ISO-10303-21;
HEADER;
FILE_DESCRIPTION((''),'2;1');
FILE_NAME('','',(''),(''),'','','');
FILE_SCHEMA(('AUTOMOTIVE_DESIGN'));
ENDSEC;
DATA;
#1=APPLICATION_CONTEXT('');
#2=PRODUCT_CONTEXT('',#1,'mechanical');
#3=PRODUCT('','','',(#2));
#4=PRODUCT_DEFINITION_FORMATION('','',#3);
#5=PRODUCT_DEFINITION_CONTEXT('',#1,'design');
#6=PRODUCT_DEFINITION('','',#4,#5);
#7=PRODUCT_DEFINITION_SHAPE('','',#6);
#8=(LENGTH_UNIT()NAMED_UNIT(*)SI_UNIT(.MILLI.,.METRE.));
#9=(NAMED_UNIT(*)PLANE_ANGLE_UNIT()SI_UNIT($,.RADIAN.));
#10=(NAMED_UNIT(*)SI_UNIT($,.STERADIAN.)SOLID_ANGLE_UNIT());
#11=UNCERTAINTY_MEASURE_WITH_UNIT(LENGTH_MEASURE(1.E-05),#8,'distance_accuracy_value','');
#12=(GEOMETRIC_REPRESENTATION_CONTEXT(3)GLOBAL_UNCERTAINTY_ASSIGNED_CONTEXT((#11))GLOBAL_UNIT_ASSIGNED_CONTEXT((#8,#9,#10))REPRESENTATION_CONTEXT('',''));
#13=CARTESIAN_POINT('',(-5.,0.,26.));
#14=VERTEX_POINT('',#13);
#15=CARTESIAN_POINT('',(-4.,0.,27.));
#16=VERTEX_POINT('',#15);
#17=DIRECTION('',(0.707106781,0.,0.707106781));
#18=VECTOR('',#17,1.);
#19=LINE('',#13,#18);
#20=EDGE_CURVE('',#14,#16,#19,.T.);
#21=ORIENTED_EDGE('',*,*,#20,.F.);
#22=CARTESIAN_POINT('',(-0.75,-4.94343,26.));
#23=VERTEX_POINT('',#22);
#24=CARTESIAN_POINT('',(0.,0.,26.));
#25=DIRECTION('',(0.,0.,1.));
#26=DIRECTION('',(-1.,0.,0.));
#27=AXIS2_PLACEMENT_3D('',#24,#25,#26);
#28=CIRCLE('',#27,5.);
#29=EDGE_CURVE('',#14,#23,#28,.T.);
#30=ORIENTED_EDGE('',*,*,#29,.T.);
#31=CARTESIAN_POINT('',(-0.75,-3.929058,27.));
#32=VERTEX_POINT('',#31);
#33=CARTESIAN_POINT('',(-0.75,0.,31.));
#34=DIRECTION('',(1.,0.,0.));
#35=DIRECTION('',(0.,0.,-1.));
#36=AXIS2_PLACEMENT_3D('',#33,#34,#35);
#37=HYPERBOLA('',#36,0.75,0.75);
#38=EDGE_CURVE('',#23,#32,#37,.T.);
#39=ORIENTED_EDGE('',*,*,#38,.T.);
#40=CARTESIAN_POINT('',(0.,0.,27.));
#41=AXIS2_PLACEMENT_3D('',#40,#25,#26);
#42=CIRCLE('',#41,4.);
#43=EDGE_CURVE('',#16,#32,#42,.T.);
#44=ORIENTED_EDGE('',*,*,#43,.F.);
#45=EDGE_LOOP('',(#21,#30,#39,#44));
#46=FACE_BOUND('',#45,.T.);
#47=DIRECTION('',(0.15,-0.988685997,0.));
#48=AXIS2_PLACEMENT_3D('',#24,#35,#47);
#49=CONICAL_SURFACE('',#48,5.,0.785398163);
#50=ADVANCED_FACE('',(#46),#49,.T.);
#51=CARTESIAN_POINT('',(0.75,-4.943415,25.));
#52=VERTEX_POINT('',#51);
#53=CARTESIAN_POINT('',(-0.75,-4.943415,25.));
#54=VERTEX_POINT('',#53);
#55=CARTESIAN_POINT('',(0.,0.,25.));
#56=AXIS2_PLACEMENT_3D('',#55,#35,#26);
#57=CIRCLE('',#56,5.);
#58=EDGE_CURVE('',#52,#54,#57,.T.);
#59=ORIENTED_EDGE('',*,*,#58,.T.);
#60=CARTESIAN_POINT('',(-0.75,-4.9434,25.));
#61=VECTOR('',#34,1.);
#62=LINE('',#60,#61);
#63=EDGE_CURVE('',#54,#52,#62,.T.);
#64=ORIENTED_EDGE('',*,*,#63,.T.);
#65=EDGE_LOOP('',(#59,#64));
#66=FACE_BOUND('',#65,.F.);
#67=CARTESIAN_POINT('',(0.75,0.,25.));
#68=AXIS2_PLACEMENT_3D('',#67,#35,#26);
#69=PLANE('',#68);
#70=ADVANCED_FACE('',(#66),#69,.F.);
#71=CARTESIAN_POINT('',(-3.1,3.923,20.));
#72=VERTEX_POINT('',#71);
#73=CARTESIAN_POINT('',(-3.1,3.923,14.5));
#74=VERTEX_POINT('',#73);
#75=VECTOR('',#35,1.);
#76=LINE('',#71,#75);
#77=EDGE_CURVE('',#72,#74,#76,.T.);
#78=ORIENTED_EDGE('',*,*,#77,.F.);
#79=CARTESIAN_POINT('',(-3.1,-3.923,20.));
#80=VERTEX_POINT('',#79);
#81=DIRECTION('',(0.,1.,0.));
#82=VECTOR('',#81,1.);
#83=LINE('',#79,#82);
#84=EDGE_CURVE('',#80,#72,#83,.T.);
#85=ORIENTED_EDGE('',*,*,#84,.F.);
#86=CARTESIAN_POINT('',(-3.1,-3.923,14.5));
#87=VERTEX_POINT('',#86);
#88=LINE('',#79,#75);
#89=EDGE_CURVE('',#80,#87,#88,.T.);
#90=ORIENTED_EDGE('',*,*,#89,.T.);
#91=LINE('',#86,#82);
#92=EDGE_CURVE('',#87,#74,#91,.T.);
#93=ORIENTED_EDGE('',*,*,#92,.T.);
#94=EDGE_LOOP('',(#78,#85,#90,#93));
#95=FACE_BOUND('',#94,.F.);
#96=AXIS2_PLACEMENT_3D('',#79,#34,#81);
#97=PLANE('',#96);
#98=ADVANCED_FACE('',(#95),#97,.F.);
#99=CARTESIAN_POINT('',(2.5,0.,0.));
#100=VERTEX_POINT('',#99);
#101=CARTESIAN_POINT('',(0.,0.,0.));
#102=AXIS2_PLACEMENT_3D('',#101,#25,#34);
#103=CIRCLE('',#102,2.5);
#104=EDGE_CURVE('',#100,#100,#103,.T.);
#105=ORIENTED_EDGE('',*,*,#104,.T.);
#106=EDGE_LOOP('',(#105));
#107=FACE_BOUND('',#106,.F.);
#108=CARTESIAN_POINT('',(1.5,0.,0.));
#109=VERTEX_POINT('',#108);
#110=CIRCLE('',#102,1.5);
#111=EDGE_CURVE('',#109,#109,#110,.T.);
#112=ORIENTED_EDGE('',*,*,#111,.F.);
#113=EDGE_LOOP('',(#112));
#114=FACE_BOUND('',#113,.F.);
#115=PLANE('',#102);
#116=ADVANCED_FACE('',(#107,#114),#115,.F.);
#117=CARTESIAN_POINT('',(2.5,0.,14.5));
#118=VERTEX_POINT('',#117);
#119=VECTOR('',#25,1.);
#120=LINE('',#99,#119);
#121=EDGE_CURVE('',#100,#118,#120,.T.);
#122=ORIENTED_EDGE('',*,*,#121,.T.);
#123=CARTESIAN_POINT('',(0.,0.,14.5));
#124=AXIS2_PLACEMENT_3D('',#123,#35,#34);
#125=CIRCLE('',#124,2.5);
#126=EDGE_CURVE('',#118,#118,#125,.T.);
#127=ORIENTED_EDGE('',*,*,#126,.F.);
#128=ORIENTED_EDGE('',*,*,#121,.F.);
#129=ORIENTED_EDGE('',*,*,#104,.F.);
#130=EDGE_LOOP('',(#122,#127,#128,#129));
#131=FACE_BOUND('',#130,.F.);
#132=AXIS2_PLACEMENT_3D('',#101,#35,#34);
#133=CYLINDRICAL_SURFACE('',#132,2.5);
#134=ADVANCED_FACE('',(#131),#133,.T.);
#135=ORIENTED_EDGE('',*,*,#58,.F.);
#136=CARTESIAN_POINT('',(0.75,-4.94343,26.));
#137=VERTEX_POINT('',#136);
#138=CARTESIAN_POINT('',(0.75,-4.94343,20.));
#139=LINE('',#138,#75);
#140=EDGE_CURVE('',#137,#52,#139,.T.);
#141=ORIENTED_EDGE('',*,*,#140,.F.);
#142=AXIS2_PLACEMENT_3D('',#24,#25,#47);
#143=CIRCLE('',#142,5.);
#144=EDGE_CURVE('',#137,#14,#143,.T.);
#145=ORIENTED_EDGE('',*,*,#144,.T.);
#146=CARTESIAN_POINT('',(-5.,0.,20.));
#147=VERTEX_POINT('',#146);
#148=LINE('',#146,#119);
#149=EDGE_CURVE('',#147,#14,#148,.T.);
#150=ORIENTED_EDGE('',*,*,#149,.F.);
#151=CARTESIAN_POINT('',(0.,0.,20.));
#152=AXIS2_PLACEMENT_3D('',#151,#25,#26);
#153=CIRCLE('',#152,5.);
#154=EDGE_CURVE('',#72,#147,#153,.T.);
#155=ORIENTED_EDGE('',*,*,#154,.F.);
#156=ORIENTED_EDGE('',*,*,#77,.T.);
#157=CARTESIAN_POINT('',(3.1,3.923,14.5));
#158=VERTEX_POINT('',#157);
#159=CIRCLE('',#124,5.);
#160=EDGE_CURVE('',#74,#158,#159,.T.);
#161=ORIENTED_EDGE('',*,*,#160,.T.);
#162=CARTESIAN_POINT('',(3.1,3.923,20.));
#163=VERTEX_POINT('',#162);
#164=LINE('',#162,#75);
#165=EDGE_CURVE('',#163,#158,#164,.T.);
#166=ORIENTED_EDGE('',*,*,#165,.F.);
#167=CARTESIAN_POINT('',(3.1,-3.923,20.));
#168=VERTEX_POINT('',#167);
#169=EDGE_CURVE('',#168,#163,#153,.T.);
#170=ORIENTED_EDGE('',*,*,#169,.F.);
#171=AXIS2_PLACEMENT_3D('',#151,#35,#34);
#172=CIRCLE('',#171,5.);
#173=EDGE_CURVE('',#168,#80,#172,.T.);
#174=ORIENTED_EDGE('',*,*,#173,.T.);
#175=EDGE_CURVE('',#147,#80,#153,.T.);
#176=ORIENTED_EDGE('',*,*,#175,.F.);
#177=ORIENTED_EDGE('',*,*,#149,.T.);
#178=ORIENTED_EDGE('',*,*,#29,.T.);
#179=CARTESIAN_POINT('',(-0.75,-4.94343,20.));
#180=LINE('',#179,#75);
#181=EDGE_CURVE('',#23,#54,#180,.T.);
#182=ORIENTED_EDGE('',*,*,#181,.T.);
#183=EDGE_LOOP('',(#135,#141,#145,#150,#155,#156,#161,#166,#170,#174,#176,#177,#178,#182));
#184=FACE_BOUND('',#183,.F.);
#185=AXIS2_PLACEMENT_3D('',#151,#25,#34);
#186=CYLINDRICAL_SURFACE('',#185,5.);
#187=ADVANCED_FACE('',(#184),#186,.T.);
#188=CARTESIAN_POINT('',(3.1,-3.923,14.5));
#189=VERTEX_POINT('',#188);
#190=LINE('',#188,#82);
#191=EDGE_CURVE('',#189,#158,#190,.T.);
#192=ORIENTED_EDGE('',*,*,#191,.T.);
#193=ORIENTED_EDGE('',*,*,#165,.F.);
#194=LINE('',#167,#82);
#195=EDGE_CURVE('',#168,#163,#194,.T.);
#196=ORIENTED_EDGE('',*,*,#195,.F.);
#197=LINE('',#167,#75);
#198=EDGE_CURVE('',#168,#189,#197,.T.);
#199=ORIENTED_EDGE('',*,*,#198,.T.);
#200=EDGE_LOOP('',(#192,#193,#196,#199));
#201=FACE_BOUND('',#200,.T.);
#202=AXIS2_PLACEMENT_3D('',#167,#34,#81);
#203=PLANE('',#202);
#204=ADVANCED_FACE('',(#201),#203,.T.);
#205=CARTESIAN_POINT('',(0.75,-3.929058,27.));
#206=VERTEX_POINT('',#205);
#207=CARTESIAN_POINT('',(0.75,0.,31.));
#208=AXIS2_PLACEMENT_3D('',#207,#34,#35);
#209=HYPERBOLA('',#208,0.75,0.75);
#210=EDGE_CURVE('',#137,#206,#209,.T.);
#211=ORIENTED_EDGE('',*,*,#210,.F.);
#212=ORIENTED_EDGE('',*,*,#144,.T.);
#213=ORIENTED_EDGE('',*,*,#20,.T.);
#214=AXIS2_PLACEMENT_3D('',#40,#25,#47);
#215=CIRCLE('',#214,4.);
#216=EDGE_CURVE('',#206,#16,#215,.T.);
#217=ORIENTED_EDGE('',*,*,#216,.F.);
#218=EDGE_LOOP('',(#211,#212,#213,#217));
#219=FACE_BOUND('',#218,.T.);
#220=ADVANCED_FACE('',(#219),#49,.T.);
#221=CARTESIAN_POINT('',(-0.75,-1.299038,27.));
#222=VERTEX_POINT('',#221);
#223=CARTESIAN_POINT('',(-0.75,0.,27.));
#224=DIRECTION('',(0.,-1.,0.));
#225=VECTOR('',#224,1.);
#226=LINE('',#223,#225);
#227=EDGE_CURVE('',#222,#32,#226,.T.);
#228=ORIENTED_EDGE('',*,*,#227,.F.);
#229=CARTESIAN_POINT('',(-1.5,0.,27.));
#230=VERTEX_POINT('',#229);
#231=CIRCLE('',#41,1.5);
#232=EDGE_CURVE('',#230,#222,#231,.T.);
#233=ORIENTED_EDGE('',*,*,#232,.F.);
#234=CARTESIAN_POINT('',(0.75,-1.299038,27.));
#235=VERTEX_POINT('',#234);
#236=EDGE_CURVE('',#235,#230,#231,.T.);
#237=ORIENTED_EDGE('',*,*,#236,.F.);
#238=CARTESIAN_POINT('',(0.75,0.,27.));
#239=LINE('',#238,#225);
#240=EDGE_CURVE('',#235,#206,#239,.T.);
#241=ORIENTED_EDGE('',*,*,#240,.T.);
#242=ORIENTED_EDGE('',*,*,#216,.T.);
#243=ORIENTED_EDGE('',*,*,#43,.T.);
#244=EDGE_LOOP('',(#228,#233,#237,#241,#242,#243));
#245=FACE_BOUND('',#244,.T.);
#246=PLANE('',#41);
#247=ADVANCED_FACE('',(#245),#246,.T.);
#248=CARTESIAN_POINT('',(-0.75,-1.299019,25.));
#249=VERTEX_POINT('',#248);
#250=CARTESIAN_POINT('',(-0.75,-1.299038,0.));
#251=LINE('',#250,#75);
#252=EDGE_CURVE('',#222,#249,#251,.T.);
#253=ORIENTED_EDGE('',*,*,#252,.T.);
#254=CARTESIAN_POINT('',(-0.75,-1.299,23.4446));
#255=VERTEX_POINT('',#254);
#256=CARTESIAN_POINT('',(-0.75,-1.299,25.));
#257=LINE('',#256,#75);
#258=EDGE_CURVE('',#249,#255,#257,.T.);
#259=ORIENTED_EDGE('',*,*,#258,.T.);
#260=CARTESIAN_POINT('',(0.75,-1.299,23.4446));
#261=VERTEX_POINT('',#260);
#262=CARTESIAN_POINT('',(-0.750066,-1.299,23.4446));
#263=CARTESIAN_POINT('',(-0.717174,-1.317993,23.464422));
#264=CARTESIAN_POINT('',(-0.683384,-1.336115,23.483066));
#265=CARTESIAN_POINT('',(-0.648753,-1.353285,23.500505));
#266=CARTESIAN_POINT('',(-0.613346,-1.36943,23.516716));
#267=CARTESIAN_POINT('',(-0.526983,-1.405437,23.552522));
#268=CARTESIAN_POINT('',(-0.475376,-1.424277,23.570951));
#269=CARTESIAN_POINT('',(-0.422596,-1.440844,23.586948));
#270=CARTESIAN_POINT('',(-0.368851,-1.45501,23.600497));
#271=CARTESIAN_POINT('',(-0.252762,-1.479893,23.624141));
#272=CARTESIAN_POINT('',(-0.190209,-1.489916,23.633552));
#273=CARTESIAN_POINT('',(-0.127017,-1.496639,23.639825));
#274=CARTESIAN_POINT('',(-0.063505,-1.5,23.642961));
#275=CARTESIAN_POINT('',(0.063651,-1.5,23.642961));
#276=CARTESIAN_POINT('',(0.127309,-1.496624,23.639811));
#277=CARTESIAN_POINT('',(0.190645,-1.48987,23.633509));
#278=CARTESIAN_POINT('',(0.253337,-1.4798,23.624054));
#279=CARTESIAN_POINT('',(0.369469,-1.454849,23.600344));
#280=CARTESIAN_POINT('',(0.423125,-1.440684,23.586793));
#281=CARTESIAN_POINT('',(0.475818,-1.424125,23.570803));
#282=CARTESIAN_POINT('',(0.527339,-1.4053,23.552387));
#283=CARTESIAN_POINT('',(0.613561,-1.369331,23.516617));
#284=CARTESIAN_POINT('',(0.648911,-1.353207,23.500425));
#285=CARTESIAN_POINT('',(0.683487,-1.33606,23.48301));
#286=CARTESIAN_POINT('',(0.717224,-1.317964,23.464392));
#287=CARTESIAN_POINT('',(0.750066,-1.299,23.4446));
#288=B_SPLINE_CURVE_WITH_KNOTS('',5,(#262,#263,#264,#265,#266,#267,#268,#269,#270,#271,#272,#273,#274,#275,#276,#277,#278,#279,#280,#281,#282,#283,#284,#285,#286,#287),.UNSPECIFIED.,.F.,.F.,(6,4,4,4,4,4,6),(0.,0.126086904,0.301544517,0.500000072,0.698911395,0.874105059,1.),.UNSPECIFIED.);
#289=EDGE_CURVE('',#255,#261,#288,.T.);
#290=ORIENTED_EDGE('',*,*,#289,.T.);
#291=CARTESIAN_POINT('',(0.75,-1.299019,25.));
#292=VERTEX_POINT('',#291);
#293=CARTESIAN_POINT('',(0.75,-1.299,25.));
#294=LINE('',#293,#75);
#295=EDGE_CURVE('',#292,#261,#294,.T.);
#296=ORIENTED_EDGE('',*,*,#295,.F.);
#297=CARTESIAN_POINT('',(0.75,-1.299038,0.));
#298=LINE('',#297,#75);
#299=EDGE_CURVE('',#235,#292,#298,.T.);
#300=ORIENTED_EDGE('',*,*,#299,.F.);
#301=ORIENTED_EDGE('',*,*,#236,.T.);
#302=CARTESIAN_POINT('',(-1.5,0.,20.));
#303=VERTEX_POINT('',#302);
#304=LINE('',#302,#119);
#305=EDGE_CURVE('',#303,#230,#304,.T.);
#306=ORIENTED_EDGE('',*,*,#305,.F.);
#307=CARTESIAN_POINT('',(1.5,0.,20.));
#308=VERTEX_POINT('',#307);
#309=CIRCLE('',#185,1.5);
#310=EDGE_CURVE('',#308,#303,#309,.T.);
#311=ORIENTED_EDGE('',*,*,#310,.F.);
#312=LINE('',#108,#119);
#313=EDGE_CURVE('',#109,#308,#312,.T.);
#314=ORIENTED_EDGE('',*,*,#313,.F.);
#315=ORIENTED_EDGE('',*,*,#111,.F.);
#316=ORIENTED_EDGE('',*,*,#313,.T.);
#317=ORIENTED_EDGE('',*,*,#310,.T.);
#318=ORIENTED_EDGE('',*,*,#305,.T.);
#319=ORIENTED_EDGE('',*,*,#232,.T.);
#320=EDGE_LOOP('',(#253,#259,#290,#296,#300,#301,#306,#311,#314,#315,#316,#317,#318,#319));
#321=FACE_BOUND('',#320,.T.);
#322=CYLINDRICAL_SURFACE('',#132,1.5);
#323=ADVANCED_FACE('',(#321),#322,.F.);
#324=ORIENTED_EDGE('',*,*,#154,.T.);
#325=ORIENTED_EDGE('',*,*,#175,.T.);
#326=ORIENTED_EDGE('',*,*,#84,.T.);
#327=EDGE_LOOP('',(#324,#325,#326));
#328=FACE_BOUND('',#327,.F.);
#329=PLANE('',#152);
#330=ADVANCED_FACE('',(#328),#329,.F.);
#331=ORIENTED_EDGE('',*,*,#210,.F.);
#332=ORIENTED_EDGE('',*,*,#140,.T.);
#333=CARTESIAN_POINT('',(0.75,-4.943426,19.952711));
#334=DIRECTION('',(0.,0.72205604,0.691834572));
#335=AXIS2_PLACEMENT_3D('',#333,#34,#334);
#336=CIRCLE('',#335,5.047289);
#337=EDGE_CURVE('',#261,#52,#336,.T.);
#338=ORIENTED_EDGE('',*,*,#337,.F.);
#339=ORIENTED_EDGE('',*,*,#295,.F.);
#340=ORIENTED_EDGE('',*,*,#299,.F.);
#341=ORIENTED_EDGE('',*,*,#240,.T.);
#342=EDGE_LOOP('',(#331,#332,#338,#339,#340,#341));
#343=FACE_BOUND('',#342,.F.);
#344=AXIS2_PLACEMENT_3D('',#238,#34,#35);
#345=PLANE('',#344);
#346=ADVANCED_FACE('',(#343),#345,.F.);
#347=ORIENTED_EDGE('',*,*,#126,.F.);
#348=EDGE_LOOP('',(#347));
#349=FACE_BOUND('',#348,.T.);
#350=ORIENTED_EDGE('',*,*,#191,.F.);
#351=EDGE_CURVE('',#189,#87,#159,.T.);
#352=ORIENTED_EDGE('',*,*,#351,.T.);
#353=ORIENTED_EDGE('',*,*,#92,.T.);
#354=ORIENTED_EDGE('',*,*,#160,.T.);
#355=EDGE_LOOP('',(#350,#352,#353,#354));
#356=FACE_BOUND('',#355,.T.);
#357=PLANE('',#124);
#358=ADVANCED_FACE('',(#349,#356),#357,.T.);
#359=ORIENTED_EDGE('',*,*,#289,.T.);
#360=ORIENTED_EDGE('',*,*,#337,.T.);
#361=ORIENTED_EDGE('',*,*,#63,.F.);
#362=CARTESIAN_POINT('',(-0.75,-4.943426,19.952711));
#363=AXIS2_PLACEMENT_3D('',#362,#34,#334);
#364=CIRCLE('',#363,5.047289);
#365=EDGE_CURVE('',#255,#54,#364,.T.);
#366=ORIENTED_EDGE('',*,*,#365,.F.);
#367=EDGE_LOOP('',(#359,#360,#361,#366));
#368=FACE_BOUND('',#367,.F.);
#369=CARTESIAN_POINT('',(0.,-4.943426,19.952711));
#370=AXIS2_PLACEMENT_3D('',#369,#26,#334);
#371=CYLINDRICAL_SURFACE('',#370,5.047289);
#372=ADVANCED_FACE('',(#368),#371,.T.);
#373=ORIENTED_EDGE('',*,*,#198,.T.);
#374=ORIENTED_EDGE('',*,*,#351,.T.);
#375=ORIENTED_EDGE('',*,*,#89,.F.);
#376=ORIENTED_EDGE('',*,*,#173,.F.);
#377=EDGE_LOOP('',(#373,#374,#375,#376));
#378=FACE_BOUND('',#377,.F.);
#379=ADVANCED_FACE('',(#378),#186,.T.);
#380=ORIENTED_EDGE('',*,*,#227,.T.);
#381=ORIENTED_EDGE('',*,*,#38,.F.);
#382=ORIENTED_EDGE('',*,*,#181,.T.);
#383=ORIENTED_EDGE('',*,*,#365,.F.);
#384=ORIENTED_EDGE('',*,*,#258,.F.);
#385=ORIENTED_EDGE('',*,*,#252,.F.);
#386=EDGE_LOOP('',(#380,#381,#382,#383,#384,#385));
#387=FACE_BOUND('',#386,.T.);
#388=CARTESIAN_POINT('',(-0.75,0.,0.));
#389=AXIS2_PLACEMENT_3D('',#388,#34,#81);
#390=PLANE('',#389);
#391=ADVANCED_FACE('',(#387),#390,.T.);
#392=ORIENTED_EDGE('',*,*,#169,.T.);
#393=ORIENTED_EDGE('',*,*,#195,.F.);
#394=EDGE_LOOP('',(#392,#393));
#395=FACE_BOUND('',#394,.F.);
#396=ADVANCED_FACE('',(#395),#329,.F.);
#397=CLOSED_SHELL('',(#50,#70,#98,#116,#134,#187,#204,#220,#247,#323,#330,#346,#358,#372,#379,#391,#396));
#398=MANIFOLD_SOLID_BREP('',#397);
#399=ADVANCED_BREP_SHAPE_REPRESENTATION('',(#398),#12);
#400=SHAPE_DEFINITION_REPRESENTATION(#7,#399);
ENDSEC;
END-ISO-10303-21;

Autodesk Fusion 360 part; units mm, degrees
sketch "Sketch1" plane through (0, 0, 0) normal (0, 0, 1) x (1, 0, 0)
  circle A0 centre (0, 0) radius 2.5
  circle A1 centre (0, 0) radius 1.5
  dimension "d1" = 5
  dimension "d2" = 3
extrude "Extrude1" add sketch "Sketch1" along normal blind 20
sketch "Sketch2" plane through (0, 0, 20) normal (0, 0, 1) x (-1, 0, 0)
  circle A0 centre (0, 0) radius 1.5
  circle A1 centre (0, 0) radius 2.5
  circle A2 centre (0, 0) radius 5
  dimension "d5" = 2.5
extrude "Extrude2" add sketch "Sketch2" along normal blind 7 contours A1 | A2
sketch "Sketch3" plane through (0, 0, 0) normal (0, 1, 0) x (1, 0, 0)
  line L0 (-5, -27) -> (5, -27)
  line L1 (0, -27) -> (0, -20) construction
  line L2 (-5, -20) -> (5, -20)
  line L3 (-0.75, -27) -> (0.75, -27)
  line L4 (0.75, -27) -> (0.75, -25)
  line L5 (0.75, -25) -> (-0.75, -25)
  line L6 (-0.75, -25) -> (-0.75, -27)
  dimension "d8" = 1.5
  dimension "d9" = 2
extrude "Extrude3" cut sketch "Sketch3" against normal blind 6
sketch "Sketch4" plane through (0, 0, 0) normal (1, 0, 0) x (0, 1, 0)
  line L0 (-1.299, 27) -> (-4.9434, 27)
  line L1 (-1.299, 27) -> (1.5, 27)
  line L2 (-1.299, 25) -> (-4.9434, 25)
  line L3 (-1.299, 25) -> (-1.299, 23.4446)
  arc A0 (-1.299, 23.4446) -> (-4.9434, 25) centre (-4.9434, 19.9527) ccw
extrude "Extrude4" cut sketch "Sketch4" along normal blind 0.75 and the other way blind 0.75
chamfer "Chamfer1" distance 1 angle 45 1 edges at (0, 5, 27)
sketch "Sketch5" plane through (0, 0, 20) normal (0, 0, -1) x (1, 0, 0)
  circle A0 centre (0, 0) radius 5
  circle A1 centre (0, 0) radius 2.5
  circle A2 centre (0, 0) radius 5
  line L0 (-3.1, 3.923) -> (-3.1, -3.923)
  line L1 (3.1, 3.923) -> (3.1, -3.923)
  line L2 (0, -5) -> (0, 5) construction
  dimension "d19" = 6.2
extrude "Extrude5" add sketch "Sketch5" along normal blind 5.5 contours A0 A2 L0 L1
